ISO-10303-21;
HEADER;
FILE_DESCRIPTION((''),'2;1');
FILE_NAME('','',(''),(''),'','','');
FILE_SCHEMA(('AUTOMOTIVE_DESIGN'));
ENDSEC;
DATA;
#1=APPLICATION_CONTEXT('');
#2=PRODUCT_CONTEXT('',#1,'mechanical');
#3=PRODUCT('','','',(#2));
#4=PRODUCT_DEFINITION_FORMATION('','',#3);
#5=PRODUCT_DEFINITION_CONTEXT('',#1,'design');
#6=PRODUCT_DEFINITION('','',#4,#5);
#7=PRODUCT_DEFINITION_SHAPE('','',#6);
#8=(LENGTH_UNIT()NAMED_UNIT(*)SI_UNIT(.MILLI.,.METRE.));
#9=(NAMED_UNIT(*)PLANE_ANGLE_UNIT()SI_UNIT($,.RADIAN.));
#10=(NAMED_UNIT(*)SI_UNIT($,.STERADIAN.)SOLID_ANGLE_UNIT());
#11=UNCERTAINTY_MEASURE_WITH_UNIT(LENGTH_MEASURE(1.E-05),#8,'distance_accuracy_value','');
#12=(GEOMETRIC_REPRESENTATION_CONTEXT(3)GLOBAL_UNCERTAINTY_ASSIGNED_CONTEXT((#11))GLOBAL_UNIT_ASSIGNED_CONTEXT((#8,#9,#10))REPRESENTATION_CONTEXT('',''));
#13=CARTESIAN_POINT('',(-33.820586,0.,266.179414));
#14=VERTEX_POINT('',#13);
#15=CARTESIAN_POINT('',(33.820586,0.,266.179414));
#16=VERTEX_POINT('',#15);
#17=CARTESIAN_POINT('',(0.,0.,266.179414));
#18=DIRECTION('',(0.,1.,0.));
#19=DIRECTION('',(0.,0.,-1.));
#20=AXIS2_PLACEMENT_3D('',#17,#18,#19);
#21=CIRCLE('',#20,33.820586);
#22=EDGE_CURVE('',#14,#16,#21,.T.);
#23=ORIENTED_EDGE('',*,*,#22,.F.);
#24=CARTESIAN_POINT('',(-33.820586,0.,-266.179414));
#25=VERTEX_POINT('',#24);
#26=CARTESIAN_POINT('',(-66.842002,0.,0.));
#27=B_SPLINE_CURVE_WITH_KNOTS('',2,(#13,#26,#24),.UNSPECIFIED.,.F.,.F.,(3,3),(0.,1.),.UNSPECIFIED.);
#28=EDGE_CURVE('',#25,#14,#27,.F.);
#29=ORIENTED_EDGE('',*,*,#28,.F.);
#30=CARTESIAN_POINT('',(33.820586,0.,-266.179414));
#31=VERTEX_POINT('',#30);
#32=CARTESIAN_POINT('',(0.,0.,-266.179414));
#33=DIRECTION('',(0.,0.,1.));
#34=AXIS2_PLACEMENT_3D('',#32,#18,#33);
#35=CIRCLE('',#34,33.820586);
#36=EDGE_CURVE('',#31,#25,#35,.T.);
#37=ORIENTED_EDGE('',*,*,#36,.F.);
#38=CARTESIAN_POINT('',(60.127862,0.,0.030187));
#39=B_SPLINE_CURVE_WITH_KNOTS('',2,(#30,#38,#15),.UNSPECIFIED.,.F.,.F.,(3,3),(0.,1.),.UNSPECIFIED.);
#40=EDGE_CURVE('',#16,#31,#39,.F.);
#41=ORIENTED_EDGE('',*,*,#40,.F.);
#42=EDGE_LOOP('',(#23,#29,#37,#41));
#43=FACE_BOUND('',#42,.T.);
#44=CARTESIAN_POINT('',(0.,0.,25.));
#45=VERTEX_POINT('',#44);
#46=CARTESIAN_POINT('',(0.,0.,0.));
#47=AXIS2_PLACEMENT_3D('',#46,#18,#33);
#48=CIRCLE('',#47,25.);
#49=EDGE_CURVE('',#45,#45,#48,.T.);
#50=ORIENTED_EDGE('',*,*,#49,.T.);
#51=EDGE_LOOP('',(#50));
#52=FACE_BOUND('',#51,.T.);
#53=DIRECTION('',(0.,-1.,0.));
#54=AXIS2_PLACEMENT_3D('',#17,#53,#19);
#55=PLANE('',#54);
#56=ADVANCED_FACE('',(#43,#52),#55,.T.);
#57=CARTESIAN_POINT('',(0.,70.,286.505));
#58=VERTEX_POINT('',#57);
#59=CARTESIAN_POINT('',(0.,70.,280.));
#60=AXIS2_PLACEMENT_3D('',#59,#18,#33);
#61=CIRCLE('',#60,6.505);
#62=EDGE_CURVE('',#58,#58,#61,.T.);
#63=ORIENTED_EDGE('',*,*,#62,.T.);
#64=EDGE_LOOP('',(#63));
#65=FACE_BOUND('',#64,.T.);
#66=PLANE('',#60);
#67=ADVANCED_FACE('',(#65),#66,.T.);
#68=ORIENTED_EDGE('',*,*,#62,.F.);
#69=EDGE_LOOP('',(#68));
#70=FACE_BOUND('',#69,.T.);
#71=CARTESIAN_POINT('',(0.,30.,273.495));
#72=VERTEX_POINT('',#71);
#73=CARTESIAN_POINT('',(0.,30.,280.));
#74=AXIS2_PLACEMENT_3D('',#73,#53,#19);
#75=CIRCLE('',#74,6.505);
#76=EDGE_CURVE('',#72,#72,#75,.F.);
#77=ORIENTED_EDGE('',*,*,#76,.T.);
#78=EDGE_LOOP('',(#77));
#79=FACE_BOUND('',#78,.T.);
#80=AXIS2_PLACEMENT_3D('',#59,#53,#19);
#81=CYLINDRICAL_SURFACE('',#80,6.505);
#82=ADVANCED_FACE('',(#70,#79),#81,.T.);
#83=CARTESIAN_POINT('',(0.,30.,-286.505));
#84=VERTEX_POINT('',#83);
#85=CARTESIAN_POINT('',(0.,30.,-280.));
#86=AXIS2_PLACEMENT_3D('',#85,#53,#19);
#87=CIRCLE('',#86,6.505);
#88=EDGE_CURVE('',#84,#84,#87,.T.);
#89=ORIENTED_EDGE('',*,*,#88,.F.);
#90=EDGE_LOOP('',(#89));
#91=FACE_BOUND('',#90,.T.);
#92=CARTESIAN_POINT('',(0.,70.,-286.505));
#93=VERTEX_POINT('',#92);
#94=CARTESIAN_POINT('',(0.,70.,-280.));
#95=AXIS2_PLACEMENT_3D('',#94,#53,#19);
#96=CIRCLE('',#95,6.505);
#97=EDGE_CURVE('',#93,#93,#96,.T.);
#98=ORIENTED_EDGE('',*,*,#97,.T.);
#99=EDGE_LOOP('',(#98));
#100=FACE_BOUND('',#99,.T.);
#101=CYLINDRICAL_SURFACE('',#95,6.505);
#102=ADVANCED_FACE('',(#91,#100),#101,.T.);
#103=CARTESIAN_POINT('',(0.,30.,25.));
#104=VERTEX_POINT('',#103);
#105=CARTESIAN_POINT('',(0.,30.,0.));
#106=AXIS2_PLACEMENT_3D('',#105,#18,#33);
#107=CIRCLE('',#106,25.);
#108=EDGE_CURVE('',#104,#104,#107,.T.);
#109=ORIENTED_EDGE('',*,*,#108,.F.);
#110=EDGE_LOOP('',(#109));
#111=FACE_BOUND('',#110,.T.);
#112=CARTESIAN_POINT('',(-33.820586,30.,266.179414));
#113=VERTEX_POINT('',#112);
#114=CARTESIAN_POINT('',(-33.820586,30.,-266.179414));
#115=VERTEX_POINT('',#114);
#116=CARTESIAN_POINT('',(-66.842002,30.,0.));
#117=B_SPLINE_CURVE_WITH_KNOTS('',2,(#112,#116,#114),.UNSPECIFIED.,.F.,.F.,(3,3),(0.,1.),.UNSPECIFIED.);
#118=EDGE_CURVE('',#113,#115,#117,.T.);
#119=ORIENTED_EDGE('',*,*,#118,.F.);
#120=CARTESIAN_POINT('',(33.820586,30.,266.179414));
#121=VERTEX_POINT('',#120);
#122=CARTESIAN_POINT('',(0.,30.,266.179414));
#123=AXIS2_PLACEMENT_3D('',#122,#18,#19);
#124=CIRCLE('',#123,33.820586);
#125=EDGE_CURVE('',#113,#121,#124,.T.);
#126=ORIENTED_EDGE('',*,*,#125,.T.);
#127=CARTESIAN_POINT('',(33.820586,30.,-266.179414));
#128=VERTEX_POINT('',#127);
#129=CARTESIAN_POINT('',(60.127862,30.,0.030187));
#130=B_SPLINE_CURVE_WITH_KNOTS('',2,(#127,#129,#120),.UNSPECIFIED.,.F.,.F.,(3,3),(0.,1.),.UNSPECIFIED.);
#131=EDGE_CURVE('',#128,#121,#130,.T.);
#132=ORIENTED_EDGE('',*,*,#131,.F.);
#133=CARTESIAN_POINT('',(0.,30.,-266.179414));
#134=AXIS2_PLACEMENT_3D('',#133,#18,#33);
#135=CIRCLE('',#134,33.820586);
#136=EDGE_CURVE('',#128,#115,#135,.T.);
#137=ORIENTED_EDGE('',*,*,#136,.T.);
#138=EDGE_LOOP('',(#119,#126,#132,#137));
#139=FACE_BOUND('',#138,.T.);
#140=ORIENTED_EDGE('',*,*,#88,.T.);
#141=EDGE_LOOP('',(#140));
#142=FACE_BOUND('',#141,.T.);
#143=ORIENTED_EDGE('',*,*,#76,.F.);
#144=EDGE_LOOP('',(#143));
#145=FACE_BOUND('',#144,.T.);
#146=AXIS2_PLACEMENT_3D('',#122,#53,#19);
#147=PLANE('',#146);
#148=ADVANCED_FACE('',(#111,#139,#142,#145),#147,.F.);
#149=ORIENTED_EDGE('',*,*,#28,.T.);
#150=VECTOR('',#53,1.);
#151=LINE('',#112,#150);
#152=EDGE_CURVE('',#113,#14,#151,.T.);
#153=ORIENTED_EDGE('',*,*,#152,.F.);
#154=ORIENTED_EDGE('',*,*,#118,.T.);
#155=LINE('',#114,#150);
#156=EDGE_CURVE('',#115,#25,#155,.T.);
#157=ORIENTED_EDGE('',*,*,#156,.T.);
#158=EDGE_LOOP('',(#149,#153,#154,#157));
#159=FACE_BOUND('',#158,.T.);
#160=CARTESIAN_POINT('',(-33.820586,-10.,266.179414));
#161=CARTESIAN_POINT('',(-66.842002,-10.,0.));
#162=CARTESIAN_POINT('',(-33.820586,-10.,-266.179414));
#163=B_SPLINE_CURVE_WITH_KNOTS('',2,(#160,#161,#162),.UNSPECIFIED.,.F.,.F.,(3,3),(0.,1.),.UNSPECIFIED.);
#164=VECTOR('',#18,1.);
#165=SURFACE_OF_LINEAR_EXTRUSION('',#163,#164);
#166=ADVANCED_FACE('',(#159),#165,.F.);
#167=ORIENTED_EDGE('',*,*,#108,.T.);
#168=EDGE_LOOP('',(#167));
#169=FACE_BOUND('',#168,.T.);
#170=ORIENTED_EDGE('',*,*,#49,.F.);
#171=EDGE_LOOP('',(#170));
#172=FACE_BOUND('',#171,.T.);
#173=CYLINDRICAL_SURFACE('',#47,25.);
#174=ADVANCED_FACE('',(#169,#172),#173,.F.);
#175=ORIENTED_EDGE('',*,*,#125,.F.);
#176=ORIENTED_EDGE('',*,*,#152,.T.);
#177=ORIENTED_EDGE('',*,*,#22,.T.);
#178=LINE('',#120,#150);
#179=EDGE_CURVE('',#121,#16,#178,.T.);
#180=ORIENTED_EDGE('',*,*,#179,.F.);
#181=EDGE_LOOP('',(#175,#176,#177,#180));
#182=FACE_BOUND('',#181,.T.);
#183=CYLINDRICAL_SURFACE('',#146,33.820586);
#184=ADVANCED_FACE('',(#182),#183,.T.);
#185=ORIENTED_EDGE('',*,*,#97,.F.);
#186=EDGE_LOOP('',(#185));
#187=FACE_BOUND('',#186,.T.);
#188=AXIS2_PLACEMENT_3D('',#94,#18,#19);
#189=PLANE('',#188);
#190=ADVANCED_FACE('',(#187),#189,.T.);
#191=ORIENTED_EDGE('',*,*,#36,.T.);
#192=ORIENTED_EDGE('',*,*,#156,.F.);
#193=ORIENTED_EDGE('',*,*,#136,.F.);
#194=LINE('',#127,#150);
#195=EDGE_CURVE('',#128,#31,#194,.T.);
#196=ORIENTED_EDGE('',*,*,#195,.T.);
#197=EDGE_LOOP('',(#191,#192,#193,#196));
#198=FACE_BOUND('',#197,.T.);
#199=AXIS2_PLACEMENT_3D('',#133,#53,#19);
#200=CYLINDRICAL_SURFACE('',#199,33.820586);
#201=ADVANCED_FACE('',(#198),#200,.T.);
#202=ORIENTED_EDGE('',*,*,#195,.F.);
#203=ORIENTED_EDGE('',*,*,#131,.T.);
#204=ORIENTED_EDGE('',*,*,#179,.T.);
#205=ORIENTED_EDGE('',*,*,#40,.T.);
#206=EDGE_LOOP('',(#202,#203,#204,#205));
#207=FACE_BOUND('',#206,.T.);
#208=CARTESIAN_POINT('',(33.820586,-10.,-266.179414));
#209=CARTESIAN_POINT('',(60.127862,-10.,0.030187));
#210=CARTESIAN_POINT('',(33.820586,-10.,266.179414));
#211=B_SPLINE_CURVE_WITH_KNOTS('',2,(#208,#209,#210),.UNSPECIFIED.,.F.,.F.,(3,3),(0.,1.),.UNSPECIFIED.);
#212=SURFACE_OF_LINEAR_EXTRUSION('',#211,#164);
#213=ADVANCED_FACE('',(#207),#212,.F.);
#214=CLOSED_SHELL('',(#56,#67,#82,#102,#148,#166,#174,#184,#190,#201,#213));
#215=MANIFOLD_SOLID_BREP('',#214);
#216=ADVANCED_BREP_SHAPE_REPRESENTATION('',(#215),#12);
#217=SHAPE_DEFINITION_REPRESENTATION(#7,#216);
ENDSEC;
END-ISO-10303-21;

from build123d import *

# Parameters (mm, degrees)
BOSS_EXTRUDE1_DEPTH = 30
SKETCH2_R           = 25
CUT_EXTRUDE1_DEPTH  = 30
SKETCH3_R           = 6.505
BOSS_EXTRUDE2_DEPTH = 40
CUT_EXTRUDE2_DEPTH  = 40


with BuildPart() as part:
    # Sketch1 → Boss-Extrude1 (new body)
    with BuildSketch(Plane(origin=(0, 0, 0), x_dir=(1, 0, 0), z_dir=(0, 1, 0))):
        with BuildLine():
            Line((-77.61802258, 0), (-33.820586084, 266.179413916))
            ThreePointArc((-33.820586084, 266.179413916), (0, 300), (33.820586084, 266.179413916))
            Line((33.820586084, 266.179413916), (72.176610565, 0))
            Line((72.176610565, 0), (33.820586084, -266.179413916))
            ThreePointArc((33.820586084, -266.179413916), (0, -300), (-33.820586084, -266.179413916))
            Line((-33.820586084, -266.179413916), (-77.61802258, 0))
        make_face()
    extrude(amount=BOSS_EXTRUDE1_DEPTH)

    # Sketch2 → Cut-Extrude1 (cut)
    with BuildSketch(Plane(origin=(0, 30, 0), x_dir=(1, 0, 0), z_dir=(0, 1, 0))):
        Circle(SKETCH2_R)
    extrude(amount=-CUT_EXTRUDE1_DEPTH, mode=Mode.SUBTRACT)

    # Sketch3 → Boss-Extrude2 (add)
    with BuildSketch(Plane(origin=(0, 30, 0), x_dir=(1, 0, 0), z_dir=(0, 1, 0))):
        with Locations((0, -280)):
            Circle(SKETCH3_R)
    boss_extrude2 = extrude(amount=BOSS_EXTRUDE2_DEPTH)

    # Mirror1: Boss-Extrude2 across plane
    add(boss_extrude2.mirror(Plane.XY))

    # Sketch4 → Cut-Extrude2 (cut)
    with BuildSketch(Plane(origin=(0, 30, 0), x_dir=(1, 0, 0), z_dir=(0, 1, 0))):
        with BuildLine():
            Line((-77.61802258, 0), (-33.820586084, -266.179413916))
            add(Edge.make_bspline(
                [(-33.820586084, 266.179413916), (-66.842002298, 0), (-33.820586084, -266.179413916)],
                knots=[0, 0, 0, 1, 1, 1], degree=2))
            add(Edge.make_bspline(
                [(-33.820586084, 266.179413916), (-77.61802258, 0)],
                knots=[0, 0, 1, 1], degree=1))
        make_face()
        with BuildLine():
            Line((72.176610565, 0), (33.820586084, 266.179413916))
            add(Edge.make_bspline(
                [(33.820586084, 266.179413916), (60.12786219, -0.030187119), (33.820586084, -266.179413916)],
                knots=[0, 0, 0, 1, 1, 1], degree=2))
            Line((33.820586084, -266.179413916), (72.176610565, 0))
        make_face()
    extrude(amount=-CUT_EXTRUDE2_DEPTH, mode=Mode.SUBTRACT)


solid = part.part
